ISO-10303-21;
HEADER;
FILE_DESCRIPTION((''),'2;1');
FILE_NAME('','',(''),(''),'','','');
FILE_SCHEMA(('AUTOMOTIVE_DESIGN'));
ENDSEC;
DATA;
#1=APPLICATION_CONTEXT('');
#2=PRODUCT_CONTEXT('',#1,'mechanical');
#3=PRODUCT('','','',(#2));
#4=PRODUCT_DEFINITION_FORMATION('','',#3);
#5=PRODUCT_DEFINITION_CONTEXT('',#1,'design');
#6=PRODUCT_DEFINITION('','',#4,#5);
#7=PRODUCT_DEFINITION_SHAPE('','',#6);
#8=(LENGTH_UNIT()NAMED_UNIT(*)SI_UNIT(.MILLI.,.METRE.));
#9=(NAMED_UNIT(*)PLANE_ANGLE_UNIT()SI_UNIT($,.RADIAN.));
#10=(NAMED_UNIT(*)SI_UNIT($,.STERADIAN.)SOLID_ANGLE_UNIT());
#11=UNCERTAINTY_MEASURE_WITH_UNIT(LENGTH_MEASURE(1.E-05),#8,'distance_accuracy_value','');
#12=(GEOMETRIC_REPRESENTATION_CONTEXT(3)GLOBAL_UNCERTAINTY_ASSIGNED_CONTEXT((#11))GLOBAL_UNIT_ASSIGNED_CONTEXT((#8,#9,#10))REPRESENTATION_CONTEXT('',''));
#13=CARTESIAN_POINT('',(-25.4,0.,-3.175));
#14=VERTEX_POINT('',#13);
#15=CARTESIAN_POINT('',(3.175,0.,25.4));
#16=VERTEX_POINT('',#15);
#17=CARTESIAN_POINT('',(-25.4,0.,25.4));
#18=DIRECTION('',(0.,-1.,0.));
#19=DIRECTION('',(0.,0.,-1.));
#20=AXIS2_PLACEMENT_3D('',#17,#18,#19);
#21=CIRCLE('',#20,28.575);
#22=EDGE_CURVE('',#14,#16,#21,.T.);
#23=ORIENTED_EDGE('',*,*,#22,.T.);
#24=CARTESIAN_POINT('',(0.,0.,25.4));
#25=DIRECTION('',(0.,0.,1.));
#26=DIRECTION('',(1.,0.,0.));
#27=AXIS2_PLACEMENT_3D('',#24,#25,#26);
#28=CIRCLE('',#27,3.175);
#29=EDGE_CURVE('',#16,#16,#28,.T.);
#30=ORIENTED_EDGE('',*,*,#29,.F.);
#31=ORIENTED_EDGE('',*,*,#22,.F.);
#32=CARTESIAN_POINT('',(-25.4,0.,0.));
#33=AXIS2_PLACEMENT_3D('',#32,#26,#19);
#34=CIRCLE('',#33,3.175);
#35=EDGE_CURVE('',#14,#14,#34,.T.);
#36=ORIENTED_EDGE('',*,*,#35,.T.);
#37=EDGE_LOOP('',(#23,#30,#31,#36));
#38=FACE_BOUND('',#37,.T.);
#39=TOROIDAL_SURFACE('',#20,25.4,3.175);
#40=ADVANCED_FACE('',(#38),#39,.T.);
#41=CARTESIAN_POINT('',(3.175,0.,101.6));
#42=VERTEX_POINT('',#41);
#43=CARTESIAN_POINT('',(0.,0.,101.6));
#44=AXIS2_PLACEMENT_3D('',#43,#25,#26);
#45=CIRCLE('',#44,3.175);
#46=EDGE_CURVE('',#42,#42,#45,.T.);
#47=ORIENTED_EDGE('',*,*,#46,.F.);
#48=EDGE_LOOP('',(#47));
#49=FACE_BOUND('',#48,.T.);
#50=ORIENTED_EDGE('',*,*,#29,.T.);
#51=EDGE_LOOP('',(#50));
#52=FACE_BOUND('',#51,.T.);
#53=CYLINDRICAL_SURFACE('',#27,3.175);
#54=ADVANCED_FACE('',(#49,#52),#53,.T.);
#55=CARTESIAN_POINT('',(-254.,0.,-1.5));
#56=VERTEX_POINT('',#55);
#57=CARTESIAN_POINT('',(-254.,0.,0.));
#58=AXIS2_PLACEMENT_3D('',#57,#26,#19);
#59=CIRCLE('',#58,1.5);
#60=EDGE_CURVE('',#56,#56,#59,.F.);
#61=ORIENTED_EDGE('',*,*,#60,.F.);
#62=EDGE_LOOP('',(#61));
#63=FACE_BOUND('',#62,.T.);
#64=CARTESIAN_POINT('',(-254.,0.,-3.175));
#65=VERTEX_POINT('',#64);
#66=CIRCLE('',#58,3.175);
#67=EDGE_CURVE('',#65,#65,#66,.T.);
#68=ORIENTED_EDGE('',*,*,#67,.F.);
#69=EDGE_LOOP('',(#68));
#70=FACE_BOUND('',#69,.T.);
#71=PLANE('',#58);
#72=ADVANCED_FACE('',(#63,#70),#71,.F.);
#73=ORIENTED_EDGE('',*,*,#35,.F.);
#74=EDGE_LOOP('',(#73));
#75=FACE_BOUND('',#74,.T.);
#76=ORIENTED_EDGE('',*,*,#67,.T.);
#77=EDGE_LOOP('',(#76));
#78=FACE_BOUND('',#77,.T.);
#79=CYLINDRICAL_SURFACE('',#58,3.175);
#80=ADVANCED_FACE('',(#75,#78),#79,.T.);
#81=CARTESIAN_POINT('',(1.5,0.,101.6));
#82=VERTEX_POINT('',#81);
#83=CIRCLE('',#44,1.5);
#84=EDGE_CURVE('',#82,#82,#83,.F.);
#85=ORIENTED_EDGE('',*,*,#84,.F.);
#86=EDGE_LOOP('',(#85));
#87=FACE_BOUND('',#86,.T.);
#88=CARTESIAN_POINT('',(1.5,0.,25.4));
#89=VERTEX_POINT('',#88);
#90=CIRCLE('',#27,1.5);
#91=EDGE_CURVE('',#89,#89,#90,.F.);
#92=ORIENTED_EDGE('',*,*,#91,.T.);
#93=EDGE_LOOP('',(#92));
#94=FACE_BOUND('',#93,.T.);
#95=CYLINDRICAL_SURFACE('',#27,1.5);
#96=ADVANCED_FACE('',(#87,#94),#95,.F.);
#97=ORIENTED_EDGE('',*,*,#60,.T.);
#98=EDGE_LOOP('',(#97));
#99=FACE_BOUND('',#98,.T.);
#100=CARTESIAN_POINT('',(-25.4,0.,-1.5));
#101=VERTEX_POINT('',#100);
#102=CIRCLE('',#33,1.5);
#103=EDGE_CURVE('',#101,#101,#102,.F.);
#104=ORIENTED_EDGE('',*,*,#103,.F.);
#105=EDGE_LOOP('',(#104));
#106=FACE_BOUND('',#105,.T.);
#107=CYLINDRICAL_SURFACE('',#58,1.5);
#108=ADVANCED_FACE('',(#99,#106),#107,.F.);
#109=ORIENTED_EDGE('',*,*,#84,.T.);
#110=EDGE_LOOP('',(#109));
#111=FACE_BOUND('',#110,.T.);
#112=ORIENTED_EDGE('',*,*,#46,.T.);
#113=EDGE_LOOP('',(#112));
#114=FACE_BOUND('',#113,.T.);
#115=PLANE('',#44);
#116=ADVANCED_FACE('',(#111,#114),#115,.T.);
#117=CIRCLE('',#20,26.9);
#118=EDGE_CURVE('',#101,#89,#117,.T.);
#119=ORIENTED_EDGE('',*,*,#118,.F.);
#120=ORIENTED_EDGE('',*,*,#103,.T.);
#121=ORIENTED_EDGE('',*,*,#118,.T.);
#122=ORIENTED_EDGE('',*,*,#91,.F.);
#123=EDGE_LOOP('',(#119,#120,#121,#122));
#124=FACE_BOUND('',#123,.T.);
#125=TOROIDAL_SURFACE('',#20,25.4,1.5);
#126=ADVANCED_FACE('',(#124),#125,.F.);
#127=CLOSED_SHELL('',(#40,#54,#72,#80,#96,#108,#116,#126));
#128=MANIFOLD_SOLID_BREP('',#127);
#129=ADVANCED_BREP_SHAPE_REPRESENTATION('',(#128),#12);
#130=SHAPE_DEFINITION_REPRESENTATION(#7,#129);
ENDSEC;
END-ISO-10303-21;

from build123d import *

# Parameters (mm, degrees)
SKETCH2_R   = 3.175
SKETCH2_R_2 = 1.5


with BuildPart() as part:
    # Sweep1: sweep along a path in Sketch1
    with BuildLine(Plane(origin=(0, 0, 0), x_dir=(1, 0, 0), z_dir=(0, 1, 0))) as sweep1_path:
        Line((-254, 0), (-25.4, 0))
        ThreePointArc((-25.4, 0), (-7.439487758, -7.439487758), (0, -25.4))
        Line((0, -25.4), (0, -101.6))
    # Sketch2 → Sweep1 (sweep)
    with BuildSketch(Plane(origin=(-254, 0, 0), x_dir=(0, 0, -1), z_dir=(1, 0, 0))):
        Circle(SKETCH2_R)
        Circle(SKETCH2_R_2, mode=Mode.SUBTRACT)
    sweep(path=sweep1_path.line)


solid = part.part
